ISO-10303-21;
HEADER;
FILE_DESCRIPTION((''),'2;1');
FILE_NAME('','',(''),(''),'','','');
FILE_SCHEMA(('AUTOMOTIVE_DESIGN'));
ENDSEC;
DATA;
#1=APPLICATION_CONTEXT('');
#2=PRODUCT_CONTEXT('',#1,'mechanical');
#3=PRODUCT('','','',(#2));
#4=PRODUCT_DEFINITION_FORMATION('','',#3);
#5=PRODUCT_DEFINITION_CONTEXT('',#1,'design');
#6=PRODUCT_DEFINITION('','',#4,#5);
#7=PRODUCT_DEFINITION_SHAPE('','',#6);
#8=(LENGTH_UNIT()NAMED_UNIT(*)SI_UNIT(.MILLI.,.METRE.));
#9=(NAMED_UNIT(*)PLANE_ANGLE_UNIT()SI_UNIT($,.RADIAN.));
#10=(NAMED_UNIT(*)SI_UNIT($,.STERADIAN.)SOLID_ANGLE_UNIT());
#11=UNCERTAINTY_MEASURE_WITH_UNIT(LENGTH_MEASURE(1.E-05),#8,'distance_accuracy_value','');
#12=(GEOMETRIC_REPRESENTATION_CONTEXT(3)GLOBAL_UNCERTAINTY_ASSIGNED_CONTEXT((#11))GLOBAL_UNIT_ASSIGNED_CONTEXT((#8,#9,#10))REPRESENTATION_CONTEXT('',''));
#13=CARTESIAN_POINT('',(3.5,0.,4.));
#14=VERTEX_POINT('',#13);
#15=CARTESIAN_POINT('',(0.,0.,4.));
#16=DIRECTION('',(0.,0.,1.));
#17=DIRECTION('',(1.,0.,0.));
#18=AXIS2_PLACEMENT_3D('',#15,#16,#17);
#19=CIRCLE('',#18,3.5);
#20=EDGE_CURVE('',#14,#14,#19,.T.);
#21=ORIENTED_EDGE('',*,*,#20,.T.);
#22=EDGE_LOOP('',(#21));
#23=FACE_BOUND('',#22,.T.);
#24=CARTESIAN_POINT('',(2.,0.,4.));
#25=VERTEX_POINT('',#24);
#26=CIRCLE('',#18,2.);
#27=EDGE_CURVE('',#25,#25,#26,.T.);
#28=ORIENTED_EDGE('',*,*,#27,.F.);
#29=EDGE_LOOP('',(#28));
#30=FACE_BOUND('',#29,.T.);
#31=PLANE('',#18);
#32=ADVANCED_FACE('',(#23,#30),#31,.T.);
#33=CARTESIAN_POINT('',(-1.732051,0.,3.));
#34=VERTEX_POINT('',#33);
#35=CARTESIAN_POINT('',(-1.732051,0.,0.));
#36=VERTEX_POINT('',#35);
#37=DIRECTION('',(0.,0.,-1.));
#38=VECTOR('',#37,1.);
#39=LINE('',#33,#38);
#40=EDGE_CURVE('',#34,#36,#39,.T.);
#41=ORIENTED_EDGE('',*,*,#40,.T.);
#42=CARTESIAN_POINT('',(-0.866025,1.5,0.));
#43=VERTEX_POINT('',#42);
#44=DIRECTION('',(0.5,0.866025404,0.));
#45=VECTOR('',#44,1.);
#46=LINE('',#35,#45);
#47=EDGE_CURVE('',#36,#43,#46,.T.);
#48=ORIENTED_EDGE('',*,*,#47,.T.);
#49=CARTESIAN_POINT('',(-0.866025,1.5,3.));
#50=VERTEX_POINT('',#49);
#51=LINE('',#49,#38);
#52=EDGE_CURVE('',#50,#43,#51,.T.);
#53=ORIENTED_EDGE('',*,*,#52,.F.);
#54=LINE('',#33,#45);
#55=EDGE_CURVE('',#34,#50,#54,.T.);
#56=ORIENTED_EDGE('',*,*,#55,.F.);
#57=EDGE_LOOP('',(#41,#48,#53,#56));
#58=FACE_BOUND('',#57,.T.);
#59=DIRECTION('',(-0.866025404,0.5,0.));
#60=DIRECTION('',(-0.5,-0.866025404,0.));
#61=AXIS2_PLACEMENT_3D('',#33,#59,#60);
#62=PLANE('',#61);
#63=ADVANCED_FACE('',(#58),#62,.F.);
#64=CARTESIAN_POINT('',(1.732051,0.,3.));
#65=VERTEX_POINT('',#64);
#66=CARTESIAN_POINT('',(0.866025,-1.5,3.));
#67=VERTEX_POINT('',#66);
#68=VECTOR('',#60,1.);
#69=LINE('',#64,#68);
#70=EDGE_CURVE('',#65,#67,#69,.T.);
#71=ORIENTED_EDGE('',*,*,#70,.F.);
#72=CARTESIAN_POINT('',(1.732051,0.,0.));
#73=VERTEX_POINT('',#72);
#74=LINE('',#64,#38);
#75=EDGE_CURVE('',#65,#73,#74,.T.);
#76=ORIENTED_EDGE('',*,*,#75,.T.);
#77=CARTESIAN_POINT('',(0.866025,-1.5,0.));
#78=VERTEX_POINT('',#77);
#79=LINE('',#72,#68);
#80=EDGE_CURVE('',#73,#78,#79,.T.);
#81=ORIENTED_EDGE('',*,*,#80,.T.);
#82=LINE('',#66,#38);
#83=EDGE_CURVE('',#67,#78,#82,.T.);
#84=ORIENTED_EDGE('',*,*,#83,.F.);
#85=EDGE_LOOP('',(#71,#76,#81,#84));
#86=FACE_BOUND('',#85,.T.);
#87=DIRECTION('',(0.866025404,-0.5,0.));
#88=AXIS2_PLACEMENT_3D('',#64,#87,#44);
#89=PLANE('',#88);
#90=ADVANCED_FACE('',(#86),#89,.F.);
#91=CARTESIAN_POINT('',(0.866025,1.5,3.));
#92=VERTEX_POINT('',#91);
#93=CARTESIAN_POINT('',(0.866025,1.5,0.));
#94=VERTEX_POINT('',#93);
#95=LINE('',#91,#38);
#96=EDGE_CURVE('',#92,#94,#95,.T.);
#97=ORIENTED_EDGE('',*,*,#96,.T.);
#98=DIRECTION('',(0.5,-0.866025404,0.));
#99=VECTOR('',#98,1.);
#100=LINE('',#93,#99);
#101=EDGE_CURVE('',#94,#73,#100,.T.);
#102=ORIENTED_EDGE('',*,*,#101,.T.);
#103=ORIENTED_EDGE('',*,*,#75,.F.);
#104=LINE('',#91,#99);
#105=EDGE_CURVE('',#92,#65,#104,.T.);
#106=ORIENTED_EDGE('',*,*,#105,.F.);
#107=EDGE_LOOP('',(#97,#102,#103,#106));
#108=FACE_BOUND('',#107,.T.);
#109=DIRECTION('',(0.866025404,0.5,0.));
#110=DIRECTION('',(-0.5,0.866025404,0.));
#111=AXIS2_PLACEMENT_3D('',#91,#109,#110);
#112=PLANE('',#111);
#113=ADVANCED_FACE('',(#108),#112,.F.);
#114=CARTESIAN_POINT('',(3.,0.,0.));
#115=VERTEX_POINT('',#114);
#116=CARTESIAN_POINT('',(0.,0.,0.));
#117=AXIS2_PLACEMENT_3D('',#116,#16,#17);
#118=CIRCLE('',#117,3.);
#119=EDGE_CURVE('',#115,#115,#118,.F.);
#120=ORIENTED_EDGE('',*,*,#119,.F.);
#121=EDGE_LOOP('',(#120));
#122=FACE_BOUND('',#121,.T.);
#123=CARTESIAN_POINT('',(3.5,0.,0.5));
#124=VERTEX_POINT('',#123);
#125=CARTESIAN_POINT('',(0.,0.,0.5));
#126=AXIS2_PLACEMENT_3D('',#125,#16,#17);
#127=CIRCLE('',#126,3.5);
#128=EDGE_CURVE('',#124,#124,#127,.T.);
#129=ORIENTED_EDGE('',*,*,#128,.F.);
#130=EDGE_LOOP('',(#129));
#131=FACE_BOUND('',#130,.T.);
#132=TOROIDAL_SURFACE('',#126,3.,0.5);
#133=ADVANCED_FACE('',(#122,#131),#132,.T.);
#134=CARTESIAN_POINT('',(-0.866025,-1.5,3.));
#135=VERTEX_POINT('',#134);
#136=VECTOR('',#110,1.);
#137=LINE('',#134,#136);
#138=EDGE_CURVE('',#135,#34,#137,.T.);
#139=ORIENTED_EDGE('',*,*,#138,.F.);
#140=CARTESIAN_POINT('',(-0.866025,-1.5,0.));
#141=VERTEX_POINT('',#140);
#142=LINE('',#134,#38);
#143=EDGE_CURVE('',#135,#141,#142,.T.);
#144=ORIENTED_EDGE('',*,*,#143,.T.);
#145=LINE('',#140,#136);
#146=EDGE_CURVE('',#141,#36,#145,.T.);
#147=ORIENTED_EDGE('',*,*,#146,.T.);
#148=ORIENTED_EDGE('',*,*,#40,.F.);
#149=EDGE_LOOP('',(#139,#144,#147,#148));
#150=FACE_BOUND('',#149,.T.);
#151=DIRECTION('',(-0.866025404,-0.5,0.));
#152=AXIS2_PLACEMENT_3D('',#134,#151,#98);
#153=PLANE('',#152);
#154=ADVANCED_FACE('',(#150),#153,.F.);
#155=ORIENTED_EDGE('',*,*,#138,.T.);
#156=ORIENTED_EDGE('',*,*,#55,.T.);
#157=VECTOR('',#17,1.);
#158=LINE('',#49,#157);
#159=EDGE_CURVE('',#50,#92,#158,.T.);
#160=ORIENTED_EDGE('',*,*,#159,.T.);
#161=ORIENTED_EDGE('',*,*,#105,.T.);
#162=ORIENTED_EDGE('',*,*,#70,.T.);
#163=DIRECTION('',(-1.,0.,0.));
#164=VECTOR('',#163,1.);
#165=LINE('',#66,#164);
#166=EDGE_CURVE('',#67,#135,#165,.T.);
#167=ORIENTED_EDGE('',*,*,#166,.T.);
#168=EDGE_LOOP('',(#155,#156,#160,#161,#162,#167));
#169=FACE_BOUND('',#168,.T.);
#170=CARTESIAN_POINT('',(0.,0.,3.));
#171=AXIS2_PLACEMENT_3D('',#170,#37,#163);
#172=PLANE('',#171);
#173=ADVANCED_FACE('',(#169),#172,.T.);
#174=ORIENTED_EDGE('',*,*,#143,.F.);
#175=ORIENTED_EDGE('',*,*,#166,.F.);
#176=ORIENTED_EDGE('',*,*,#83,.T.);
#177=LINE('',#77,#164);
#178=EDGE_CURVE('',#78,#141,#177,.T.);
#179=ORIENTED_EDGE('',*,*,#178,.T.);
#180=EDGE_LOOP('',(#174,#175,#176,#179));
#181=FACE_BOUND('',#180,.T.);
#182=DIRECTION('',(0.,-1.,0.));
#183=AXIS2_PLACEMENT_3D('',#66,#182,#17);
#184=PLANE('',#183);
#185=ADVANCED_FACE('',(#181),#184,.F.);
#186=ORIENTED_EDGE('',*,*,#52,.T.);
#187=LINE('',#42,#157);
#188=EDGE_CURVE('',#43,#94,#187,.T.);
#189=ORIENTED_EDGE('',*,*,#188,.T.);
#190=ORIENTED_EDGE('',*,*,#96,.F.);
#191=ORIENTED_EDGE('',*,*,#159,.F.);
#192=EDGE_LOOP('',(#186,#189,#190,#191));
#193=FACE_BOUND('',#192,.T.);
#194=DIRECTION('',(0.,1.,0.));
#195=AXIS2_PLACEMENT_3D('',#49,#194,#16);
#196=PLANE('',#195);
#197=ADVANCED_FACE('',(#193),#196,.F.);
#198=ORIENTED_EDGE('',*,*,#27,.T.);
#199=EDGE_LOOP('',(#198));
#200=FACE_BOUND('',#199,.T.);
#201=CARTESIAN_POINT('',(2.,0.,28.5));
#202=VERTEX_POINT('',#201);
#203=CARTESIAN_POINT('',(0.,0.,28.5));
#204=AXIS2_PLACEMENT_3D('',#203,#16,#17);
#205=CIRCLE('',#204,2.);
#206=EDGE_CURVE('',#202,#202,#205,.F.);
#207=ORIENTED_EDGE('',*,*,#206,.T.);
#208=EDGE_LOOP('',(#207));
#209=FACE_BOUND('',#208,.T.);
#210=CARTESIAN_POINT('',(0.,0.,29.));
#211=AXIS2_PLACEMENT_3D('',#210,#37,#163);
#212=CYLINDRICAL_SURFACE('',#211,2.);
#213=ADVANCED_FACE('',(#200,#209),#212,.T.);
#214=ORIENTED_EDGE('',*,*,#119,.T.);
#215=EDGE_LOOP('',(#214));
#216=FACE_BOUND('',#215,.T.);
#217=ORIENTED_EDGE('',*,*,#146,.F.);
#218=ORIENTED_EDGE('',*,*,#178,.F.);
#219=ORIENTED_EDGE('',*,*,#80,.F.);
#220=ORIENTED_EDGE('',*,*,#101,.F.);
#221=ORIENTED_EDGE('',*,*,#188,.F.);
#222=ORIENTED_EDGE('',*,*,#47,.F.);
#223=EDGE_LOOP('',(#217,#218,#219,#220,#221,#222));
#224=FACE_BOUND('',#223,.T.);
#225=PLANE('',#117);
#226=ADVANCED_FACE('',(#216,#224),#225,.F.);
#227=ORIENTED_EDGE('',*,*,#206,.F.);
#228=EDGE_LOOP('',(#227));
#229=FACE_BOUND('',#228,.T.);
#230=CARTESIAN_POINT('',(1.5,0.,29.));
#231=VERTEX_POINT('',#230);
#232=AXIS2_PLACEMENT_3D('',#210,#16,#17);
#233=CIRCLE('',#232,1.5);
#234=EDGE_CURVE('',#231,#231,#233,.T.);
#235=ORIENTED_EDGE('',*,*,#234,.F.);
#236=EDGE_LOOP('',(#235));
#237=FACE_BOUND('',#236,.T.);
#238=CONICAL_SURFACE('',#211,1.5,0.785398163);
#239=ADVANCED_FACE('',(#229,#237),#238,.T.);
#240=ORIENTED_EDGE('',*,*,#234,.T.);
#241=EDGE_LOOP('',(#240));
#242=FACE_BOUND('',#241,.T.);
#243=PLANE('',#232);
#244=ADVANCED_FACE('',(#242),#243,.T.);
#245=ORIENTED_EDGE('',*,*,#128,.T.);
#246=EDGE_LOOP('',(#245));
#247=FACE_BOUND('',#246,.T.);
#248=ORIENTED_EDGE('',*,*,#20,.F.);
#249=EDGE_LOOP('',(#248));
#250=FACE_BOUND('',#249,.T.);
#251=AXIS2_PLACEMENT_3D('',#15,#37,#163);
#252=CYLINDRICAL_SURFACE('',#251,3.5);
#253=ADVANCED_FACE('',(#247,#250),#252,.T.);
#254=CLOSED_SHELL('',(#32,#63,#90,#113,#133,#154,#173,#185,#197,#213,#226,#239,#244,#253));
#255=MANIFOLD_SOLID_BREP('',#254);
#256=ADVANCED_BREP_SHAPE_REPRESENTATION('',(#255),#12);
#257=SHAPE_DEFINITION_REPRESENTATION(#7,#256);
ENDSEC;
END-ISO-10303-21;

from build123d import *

# Parameters (mm, degrees)
ESQUISSE1_R             = 3.5
BOSS_EXTRU_1_DEPTH      = 4
ESQUISSE2_R             = 2
BOSS_EXTRU_2_DEPTH      = 25
ENL_V_MAT_EXTRU_1_DEPTH = 3
CHANFREIN1_SIZE         = 0.5
CONG_1_R                = 0.5


with BuildPart() as part:
    # Esquisse1 → Boss.-Extru.1 (new body)
    with BuildSketch(Plane.XY):
        Circle(ESQUISSE1_R)
    extrude(amount=BOSS_EXTRU_1_DEPTH)

    # Esquisse2 → Boss.-Extru.2 (add)
    with BuildSketch(Plane.XY.offset(4)):
        Circle(ESQUISSE2_R)
    extrude(amount=BOSS_EXTRU_2_DEPTH)

    # Esquisse3 → Enlèv. mat.-Extru.1 (cut)
    with BuildSketch(Plane(origin=(0, 0, 0), x_dir=(-1, 0, 0), z_dir=(0, 0, -1))):
        Polygon((1.732050808, 0), (0.866025404, 1.5), (-0.866025404, 1.5), (-1.732050808, 0), (-0.866025404, -1.5), (0.866025404, -1.5), align=None)
    extrude(amount=-ENL_V_MAT_EXTRU_1_DEPTH, mode=Mode.SUBTRACT)

    # Chanfrein1
    chanfrein1_edges = [part.edges().sort_by_distance(p)[0] for p in [
        (-2, 0, 29),
    ]]
    chamfer(chanfrein1_edges, length=CHANFREIN1_SIZE)

    # Congé1
    cong_1_edges = [part.edges().sort_by_distance(p)[0] for p in [
        (-3.5, 0, 0),
    ]]
    fillet(cong_1_edges, radius=CONG_1_R)


solid = part.part
